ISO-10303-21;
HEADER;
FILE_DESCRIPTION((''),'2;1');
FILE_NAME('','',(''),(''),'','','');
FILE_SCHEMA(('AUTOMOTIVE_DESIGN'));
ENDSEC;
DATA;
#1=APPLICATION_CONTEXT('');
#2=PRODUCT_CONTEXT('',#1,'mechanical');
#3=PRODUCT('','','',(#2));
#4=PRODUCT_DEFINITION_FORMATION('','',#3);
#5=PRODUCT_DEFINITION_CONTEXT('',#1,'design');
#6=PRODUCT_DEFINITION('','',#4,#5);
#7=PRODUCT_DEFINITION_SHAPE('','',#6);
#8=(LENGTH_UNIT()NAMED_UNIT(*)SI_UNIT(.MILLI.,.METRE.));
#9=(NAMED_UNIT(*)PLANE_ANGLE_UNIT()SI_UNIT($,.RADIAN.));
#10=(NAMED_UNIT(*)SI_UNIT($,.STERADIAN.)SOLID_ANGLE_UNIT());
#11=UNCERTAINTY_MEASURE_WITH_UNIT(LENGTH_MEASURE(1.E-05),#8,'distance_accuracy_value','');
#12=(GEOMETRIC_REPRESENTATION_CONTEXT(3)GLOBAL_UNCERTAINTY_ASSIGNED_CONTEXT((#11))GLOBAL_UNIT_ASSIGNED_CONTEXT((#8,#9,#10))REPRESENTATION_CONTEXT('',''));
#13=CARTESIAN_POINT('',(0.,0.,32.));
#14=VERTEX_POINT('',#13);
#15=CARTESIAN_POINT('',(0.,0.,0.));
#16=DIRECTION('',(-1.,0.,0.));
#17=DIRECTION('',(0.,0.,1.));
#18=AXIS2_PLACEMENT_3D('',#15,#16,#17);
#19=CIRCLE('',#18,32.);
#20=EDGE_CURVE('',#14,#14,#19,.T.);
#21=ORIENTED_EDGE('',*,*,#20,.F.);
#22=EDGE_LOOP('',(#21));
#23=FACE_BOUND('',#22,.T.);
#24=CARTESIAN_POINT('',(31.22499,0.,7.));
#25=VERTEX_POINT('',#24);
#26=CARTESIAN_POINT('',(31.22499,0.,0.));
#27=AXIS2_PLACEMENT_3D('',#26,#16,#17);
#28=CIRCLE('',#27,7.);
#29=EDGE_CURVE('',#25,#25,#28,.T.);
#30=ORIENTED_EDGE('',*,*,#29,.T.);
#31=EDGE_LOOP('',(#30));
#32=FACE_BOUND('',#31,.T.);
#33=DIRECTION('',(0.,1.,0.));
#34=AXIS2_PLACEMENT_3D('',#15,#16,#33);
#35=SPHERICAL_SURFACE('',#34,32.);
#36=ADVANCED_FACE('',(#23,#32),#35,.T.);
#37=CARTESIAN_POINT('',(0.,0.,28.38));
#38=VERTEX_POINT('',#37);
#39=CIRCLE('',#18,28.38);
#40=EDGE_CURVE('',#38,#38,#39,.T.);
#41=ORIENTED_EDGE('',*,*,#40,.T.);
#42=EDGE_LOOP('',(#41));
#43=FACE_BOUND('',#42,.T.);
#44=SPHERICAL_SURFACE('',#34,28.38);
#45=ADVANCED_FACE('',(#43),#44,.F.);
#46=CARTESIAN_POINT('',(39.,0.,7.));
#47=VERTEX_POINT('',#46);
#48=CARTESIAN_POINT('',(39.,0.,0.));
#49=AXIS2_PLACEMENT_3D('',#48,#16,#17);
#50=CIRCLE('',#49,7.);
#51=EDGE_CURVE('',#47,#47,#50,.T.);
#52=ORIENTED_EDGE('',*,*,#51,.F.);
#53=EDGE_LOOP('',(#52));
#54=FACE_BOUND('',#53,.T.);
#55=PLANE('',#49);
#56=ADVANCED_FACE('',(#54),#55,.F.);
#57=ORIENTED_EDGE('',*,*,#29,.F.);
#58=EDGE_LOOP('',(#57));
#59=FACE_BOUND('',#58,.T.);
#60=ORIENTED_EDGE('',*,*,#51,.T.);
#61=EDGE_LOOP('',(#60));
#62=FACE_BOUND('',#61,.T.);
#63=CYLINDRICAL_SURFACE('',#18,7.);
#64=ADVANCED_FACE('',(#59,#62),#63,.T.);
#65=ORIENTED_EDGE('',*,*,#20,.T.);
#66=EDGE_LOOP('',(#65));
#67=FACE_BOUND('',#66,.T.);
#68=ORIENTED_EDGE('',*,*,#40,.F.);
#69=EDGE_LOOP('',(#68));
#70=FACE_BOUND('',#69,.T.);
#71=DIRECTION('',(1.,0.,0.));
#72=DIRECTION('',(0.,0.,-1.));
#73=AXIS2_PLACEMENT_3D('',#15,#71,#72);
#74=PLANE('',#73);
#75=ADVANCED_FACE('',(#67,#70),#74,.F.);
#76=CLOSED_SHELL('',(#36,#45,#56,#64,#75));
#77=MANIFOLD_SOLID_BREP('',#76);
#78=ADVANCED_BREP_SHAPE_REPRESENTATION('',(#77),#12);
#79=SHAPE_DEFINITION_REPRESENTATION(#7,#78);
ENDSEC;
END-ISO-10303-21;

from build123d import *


with BuildPart() as part:
    # Sketch1 → Revolve4 (revolve)
    with BuildSketch(Plane.XY, mode=Mode.PRIVATE) as revolve4_sk:
        with BuildLine():
            ThreePointArc((0, 28.38), (20.06769045, 20.06769045), (28.38, 0))
            Line((28.38, 0), (32, 0))
            Line((32, 0), (39, 0))
            Line((39, 0), (39, 7))
            Line((39, 7), (31.224989992, 7))
            ThreePointArc((31.224989992, 7), (20, 24.979991994), (0, 32))
            Line((0, 32), (0, 28.38))
        make_face()
    revolve(revolve4_sk.sketch.rotate(Axis((0, 0, 0), (1, 0, 0)), 90), axis=Axis((0, 0, 0), (1, 0, 0)))


solid = part.part
